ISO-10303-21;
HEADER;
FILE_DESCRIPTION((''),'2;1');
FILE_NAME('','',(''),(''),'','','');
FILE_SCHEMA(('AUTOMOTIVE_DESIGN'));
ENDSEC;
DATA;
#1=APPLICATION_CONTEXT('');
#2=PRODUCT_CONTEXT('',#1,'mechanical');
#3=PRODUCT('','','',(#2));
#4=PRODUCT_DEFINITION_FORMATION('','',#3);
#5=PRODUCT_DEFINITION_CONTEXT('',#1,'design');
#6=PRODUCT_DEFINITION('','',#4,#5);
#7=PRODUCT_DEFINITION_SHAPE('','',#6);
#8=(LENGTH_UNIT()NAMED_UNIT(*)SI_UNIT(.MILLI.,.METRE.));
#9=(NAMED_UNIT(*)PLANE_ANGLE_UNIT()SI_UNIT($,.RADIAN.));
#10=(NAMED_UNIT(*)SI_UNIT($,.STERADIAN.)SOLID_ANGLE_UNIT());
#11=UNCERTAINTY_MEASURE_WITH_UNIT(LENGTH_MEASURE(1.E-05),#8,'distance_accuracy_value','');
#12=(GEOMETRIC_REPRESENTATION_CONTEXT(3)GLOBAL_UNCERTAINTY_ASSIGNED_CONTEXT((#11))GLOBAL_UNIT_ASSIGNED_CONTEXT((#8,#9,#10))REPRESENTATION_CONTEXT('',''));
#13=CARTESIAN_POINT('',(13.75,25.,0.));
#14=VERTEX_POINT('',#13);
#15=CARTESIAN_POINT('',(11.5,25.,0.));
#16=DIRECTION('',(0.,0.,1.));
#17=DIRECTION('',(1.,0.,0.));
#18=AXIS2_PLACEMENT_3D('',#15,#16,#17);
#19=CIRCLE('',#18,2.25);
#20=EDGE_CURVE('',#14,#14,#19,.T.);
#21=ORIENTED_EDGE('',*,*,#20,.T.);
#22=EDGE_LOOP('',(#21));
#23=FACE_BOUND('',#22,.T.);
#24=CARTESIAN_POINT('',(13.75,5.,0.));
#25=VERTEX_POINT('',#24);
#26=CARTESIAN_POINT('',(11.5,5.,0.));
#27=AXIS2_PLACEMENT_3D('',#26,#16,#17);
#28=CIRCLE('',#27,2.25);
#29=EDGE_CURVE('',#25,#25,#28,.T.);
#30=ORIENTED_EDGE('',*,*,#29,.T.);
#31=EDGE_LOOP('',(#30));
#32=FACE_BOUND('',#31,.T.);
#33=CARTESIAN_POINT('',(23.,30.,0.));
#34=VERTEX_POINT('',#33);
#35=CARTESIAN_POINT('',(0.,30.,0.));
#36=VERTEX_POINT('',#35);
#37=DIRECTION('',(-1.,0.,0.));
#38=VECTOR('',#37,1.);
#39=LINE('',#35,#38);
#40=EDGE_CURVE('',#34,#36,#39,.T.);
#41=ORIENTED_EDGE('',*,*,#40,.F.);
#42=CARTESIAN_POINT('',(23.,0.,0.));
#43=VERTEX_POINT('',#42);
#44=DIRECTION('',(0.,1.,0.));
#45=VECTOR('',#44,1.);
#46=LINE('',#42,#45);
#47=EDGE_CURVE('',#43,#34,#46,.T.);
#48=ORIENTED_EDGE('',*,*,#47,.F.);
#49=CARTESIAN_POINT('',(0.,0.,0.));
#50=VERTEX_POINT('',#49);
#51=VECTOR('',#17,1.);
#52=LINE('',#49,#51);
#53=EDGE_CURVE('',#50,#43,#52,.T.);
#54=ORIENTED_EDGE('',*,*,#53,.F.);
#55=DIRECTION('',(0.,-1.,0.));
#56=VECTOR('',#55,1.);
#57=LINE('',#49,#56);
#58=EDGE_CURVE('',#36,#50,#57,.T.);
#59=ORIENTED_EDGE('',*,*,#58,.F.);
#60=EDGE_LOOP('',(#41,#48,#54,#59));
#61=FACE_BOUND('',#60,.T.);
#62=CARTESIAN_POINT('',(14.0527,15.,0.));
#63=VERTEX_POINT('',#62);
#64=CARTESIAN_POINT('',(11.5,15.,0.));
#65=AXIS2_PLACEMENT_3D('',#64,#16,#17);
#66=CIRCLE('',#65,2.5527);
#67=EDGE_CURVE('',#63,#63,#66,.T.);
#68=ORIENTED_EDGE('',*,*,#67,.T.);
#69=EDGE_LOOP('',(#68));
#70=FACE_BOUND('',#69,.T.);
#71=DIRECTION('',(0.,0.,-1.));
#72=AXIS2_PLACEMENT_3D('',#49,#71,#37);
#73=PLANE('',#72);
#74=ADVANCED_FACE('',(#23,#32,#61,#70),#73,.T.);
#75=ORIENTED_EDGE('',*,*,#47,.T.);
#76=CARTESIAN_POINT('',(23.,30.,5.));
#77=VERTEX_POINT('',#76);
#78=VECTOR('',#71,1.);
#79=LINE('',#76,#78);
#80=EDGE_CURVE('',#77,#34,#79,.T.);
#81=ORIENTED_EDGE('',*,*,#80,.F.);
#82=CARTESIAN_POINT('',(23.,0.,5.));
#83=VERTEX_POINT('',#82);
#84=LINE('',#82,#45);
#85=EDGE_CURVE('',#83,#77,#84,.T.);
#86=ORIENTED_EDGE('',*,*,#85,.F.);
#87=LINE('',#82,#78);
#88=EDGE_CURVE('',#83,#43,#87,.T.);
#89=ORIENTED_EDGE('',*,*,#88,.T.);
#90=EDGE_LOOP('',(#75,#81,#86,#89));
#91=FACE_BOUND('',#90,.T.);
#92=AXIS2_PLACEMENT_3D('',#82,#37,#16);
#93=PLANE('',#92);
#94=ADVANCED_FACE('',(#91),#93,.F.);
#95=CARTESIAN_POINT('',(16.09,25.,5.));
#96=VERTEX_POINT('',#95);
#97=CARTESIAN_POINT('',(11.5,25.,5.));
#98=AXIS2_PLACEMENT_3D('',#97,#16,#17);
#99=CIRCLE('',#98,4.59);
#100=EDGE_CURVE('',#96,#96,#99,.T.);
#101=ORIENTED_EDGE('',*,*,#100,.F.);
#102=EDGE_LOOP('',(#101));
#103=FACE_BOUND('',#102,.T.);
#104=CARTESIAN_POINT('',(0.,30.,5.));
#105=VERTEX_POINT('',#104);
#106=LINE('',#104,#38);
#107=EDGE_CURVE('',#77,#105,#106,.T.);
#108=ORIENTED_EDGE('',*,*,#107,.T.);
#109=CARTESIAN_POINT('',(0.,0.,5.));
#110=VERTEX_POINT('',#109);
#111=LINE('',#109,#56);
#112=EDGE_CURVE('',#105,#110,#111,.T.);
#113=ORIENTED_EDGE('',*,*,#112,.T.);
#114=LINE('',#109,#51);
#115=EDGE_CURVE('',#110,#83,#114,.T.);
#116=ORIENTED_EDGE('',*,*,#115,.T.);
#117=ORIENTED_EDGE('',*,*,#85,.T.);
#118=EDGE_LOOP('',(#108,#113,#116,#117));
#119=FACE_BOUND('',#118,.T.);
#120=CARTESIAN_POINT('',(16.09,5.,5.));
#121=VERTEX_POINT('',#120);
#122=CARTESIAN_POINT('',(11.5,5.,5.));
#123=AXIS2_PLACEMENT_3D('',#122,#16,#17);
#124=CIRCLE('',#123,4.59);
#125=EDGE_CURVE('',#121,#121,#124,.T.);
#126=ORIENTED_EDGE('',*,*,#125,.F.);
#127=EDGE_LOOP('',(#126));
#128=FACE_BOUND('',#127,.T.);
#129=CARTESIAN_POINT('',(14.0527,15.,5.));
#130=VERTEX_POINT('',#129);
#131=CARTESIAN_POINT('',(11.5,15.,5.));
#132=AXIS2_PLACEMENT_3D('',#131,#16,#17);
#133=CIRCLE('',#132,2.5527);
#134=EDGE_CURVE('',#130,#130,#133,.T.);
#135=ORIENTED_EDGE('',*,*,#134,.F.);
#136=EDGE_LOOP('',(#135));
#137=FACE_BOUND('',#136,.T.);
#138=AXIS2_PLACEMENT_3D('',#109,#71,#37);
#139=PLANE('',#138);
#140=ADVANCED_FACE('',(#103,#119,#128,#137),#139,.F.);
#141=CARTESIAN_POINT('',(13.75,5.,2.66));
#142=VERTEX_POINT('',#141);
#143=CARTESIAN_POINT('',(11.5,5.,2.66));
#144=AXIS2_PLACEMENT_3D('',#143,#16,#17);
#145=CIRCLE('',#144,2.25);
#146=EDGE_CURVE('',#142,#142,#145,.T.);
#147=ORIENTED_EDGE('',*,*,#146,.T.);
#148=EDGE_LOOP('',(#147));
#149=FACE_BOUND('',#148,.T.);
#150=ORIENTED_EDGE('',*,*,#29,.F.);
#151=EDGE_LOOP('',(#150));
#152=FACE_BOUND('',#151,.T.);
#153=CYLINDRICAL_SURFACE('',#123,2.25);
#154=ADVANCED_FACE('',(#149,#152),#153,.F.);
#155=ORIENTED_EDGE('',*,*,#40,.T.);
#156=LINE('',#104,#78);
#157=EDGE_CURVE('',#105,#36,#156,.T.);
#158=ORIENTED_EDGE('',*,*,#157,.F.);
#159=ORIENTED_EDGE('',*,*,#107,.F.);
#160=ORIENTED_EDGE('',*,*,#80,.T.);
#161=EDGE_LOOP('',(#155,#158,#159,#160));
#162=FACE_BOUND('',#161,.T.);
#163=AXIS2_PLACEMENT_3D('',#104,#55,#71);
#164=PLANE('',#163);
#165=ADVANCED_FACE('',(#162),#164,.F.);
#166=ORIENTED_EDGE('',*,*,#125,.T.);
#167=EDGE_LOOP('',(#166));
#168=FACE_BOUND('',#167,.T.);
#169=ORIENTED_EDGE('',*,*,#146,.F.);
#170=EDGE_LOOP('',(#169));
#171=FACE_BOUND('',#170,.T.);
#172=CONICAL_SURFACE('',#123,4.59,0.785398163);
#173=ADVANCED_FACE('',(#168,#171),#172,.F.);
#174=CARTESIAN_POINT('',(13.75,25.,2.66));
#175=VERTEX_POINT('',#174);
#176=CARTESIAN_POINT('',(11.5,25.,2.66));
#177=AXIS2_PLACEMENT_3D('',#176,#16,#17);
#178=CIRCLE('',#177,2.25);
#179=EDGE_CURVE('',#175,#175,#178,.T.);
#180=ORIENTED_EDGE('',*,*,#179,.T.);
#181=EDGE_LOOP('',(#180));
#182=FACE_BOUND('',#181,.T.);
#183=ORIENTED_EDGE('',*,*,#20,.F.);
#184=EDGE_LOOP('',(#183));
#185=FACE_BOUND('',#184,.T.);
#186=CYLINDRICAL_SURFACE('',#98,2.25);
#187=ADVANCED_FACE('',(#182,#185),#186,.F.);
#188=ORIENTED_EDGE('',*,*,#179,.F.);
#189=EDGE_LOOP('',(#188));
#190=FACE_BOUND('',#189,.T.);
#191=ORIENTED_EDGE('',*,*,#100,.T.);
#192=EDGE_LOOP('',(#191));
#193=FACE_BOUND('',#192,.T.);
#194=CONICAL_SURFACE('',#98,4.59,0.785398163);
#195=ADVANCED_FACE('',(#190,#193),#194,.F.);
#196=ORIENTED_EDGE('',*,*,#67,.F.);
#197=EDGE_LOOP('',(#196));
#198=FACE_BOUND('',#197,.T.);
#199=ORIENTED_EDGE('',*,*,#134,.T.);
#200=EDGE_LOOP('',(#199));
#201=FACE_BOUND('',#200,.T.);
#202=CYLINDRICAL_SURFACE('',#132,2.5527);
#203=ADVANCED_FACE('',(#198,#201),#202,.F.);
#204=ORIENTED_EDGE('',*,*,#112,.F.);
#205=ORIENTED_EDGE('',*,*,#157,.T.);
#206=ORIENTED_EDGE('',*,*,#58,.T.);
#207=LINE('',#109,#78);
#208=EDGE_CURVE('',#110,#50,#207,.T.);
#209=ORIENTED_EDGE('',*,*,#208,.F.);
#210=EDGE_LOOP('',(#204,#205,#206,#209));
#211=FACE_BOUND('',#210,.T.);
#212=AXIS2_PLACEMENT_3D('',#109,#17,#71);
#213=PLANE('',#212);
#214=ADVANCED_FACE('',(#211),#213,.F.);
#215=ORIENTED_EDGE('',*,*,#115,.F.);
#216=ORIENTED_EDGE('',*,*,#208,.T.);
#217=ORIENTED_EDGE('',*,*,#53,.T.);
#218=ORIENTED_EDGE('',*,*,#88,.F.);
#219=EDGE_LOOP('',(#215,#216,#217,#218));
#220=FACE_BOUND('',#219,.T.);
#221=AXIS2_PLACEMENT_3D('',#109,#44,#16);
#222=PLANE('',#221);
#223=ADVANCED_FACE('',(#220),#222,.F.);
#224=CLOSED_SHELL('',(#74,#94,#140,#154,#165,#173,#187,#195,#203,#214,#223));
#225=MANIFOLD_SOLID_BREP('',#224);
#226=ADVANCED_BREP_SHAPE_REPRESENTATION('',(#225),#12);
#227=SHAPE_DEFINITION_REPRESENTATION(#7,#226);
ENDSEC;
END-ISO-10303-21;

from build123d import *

# Parameters (mm, degrees)
SKIZZE1_W                                            = 23
SKIZZE1_H                                            = 30
AUFSATZ_LINEAR_AUSTRAGEN1_DEPTH                      = 5
FORMSENKUNG_F_R_M4_SENKSCHRAUBE_MIT_INNE_D           = 4.5
FORMSENKUNG_F_R_M4_SENKSCHRAUBE_MIT_INNE_CSINK_D     = 9.18
FORMSENKUNG_F_R_M4_SENKSCHRAUBE_MIT_INNE_CSINK_ANGLE = 90
F_1_4_20_GEWINDEBOHRUNG1_D                           = 5.1054


with BuildPart() as part:
    # Skizze1 → Aufsatz-Linear austragen1 (new body)
    with BuildSketch(Plane.XY):
        with Locations((11.5, 15)):
            Rectangle(SKIZZE1_W, SKIZZE1_H)
    extrude(amount=AUFSATZ_LINEAR_AUSTRAGEN1_DEPTH)

    # Formsenkung für M4 Senkschraube mit Innensechskant1 (through all)
    with Locations(Plane.XY.offset(5)):
        with Locations((11.5, 25), (11.5, 5)):
            CounterSinkHole(FORMSENKUNG_F_R_M4_SENKSCHRAUBE_MIT_INNE_D / 2, FORMSENKUNG_F_R_M4_SENKSCHRAUBE_MIT_INNE_CSINK_D / 2, counter_sink_angle=FORMSENKUNG_F_R_M4_SENKSCHRAUBE_MIT_INNE_CSINK_ANGLE)

    # 1/4-20 Gewindebohrung1 (through all)
    with Locations(Plane.XY.offset(5)):
        with Locations((11.5, 15)):
            Hole(F_1_4_20_GEWINDEBOHRUNG1_D / 2)


solid = part.part
